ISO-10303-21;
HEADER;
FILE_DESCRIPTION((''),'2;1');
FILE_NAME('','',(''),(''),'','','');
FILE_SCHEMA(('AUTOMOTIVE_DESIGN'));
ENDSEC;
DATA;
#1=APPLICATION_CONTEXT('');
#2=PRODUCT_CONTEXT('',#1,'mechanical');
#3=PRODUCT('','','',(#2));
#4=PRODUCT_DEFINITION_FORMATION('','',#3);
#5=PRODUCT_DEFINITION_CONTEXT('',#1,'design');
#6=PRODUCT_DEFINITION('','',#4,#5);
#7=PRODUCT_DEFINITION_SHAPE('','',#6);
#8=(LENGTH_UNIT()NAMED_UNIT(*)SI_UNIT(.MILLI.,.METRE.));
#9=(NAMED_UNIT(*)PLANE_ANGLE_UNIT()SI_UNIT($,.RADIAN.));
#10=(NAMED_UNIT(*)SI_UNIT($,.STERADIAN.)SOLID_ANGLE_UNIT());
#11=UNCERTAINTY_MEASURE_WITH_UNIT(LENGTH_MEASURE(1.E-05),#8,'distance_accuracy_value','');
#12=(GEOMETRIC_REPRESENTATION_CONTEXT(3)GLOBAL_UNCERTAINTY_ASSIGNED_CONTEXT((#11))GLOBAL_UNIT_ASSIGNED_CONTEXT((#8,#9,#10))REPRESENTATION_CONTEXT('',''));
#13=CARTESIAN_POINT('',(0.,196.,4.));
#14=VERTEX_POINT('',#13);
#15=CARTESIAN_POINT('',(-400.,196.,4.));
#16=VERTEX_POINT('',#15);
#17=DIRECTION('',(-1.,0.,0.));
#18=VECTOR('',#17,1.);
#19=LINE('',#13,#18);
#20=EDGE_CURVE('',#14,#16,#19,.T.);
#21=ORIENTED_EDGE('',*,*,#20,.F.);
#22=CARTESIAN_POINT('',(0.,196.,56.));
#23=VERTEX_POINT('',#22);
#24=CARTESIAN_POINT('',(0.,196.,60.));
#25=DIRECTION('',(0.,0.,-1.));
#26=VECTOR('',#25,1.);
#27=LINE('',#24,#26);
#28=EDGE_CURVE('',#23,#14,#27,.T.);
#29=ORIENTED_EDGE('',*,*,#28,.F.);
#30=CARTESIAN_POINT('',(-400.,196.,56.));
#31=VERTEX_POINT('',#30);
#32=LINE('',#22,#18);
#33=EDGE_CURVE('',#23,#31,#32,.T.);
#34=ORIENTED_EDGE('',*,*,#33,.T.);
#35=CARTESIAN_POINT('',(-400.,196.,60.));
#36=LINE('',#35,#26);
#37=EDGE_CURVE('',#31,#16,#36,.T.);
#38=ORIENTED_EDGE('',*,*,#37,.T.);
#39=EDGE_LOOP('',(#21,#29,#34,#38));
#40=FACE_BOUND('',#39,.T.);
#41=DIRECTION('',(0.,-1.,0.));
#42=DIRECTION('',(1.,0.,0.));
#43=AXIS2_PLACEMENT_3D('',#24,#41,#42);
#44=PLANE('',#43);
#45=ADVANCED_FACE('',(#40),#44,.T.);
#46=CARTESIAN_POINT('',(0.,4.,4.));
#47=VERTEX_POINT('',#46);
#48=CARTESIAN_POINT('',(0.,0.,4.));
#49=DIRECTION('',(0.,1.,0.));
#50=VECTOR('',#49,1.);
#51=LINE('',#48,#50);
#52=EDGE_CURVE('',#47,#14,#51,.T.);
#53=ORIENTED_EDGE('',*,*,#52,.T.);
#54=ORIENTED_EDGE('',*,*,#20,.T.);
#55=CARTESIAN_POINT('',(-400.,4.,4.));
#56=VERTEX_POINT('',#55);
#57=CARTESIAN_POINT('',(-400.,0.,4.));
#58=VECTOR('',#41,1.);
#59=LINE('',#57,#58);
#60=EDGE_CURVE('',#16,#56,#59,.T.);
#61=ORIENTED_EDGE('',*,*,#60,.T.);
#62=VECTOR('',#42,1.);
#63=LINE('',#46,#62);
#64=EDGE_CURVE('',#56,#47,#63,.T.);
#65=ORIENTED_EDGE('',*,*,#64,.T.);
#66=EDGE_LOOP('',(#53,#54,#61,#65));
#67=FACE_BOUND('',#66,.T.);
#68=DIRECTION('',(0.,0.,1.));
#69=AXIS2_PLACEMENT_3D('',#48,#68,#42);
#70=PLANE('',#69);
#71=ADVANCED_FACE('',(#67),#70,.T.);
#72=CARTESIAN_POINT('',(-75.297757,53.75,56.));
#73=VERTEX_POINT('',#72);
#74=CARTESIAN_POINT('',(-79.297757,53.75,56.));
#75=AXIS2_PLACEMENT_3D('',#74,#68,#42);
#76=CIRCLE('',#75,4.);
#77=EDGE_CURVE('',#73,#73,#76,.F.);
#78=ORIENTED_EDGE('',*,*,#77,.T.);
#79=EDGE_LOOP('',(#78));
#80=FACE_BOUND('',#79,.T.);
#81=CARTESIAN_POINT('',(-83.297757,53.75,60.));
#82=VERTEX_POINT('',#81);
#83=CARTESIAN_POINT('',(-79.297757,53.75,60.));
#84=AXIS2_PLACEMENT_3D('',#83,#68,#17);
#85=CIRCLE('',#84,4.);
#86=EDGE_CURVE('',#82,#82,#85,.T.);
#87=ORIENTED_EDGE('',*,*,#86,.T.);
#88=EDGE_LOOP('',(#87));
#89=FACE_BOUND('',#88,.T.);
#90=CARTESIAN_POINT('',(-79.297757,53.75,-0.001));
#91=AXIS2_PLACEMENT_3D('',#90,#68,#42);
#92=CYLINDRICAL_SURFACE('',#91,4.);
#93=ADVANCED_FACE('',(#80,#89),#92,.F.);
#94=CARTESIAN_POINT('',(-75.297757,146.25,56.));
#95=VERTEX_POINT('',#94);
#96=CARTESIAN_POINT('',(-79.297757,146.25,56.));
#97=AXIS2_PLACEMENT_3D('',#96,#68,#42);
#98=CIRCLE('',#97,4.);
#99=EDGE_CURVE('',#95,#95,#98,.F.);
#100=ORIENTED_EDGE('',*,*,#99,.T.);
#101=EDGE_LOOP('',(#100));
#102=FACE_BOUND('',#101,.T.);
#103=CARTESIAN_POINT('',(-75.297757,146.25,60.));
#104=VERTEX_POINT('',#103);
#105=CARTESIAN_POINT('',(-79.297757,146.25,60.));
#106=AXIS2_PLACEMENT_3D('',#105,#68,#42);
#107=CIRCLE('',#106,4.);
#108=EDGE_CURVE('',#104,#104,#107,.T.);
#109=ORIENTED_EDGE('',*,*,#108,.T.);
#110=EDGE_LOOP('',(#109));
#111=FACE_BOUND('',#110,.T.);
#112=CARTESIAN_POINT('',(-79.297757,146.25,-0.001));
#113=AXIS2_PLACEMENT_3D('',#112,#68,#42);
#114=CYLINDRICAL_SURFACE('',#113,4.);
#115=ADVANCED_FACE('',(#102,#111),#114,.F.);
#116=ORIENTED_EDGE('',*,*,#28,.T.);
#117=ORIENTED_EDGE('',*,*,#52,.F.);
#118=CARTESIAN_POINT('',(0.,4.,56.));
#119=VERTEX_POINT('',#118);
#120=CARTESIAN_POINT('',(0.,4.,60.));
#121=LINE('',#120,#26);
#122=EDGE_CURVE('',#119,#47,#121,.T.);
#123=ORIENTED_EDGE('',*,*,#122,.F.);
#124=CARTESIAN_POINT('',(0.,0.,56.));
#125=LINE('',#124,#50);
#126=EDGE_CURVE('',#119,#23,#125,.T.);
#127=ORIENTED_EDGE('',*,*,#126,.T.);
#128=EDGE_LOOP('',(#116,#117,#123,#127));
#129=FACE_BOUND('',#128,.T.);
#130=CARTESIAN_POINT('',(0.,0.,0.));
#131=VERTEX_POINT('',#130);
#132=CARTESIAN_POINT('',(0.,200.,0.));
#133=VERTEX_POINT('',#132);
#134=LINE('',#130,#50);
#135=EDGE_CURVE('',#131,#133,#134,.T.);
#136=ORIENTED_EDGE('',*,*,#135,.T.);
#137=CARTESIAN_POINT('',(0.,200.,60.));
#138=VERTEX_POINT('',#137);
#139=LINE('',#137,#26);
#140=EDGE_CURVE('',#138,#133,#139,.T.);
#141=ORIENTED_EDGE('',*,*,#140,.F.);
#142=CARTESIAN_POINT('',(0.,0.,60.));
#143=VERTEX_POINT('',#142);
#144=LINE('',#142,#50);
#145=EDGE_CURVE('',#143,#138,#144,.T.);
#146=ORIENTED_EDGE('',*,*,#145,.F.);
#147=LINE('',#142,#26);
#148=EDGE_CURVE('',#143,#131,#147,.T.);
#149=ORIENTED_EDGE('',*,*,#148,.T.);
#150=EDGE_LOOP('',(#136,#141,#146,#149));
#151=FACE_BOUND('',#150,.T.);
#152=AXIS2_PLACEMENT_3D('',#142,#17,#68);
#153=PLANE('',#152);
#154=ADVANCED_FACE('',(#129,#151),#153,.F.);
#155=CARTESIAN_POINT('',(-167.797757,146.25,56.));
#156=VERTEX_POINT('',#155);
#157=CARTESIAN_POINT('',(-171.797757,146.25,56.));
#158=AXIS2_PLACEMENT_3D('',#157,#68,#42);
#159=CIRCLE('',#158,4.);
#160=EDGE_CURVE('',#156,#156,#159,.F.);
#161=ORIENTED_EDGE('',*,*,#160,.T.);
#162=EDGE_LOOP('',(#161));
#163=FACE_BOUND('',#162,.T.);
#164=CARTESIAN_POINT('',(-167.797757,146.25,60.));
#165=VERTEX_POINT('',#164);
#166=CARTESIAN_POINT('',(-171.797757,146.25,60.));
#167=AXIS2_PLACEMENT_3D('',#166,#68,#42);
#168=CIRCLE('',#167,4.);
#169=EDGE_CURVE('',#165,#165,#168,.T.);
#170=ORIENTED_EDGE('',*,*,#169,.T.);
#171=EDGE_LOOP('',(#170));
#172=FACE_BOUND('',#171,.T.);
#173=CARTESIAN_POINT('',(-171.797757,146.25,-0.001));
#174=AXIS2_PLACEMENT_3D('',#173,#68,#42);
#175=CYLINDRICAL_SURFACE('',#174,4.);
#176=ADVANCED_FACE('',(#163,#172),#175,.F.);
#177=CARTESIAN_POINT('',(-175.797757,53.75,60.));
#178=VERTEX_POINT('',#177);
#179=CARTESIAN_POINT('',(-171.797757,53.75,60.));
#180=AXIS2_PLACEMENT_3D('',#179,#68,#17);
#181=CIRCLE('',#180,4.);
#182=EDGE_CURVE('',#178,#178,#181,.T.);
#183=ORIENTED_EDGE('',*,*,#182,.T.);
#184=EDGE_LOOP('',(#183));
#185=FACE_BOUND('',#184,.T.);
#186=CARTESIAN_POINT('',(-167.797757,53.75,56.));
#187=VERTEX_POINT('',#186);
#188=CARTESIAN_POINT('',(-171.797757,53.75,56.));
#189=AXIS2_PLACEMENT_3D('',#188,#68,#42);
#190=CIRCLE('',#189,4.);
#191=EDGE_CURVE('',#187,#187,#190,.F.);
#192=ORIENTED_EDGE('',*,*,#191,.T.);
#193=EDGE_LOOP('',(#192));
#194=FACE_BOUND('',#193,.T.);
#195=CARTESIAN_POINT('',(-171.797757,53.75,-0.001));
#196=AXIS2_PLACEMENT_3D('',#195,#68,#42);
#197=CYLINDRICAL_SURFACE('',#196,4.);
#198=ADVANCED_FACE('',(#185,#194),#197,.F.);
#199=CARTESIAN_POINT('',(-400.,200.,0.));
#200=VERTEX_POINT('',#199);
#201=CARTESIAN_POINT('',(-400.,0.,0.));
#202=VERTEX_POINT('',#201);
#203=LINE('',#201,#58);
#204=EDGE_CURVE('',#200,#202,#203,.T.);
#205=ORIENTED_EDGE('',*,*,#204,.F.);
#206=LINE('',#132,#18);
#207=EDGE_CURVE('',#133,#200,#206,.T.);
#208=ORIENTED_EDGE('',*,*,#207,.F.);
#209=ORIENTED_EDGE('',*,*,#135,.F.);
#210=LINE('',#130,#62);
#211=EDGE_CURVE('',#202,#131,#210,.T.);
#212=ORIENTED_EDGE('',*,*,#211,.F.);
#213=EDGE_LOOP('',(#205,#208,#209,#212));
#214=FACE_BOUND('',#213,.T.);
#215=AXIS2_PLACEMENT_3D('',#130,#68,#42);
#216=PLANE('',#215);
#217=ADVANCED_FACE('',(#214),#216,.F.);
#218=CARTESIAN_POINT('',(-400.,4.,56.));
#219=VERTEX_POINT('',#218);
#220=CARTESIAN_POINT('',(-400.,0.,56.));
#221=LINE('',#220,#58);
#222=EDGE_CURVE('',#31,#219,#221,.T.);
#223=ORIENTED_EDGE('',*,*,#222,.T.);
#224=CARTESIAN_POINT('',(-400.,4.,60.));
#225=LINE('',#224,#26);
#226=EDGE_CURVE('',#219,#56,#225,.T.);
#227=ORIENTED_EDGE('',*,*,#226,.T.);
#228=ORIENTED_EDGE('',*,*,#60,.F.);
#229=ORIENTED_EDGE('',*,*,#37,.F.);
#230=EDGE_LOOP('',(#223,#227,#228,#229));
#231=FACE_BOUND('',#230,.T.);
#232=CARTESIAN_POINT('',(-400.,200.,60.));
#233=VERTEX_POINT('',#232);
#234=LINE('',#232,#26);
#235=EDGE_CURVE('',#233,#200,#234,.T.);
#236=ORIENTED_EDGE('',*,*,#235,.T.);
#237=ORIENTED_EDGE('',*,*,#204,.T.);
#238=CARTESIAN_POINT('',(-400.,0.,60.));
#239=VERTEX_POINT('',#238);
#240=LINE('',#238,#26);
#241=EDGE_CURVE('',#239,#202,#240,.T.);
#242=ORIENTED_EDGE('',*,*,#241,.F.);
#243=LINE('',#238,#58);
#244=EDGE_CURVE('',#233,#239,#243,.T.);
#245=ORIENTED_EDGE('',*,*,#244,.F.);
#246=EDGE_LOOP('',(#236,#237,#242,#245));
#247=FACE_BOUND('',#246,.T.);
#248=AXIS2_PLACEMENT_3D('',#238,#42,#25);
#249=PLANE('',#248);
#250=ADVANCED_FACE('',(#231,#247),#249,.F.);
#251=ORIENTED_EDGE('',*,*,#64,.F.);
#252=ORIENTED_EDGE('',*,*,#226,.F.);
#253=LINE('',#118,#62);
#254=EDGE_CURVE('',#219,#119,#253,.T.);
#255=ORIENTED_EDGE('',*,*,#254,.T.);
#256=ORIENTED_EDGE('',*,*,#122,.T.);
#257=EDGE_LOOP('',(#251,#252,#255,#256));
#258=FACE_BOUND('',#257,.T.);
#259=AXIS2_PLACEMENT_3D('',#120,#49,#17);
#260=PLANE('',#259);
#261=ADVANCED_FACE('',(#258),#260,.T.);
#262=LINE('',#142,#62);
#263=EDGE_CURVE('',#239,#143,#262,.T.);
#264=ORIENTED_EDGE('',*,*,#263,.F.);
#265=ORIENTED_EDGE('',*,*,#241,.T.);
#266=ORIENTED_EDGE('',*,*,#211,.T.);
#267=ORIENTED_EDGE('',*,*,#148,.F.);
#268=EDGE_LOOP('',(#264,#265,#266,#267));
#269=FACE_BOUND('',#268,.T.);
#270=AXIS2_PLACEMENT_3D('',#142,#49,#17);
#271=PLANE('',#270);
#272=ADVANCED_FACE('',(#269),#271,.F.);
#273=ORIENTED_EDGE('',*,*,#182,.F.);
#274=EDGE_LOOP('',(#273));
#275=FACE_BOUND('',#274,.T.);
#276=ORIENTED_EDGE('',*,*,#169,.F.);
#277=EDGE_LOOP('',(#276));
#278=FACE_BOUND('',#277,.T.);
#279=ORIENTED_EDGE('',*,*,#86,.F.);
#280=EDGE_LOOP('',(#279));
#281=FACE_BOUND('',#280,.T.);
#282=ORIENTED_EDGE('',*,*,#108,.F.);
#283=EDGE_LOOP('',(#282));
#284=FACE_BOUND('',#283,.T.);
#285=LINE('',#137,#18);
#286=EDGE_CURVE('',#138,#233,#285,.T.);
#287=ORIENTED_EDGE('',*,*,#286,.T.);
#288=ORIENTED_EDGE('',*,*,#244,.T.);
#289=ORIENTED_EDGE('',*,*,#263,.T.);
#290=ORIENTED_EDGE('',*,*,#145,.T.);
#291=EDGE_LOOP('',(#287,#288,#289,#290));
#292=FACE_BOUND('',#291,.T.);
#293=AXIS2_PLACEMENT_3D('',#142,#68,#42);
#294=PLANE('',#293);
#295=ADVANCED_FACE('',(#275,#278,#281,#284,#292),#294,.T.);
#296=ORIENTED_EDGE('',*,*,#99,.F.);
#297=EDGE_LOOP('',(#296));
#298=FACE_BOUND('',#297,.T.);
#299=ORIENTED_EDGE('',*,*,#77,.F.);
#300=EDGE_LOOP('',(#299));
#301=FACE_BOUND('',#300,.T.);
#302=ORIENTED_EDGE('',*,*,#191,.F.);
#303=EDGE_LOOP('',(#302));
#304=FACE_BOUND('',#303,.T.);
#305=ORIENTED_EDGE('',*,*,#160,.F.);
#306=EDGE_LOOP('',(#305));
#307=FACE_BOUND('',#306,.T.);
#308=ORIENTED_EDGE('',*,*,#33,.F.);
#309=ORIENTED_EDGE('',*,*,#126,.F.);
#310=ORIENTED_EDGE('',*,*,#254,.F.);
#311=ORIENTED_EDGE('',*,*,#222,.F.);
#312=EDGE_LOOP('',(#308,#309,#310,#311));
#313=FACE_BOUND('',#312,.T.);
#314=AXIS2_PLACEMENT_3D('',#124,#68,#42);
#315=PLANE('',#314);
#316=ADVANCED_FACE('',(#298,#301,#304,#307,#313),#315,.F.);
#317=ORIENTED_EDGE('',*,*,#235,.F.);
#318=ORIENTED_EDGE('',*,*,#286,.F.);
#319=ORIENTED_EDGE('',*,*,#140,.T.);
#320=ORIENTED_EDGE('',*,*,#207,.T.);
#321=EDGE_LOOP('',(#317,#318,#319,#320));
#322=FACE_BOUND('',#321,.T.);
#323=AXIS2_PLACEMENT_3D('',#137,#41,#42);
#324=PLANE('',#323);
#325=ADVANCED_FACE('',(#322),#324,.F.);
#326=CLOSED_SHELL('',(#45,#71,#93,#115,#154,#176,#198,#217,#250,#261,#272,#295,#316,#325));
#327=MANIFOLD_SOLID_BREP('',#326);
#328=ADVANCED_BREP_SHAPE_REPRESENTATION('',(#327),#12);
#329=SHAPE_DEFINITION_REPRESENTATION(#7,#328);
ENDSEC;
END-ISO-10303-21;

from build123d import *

# Parameters (mm, degrees)
IZIM1_W                     = 400
IZIM1_H                     = 200
Y_KSEKLIK_EKSTR_ZYON2_DEPTH = 60
BO_ALTMA2_T                 = -4
KES_EKSTR_ZYON2_REACH       = 453.221
IZIM3_R                     = 4


with BuildPart() as part:
    # Çizim1 → Yükseklik-Ekstrüzyon2 (new body)
    with BuildSketch(Plane.XY):
        with Locations((-200, 100)):
            Rectangle(IZIM1_W, IZIM1_H)
    extrude(amount=Y_KSEKLIK_EKSTR_ZYON2_DEPTH)

    # İç Boşaltma2
    bo_altma2_openings = [part.faces().sort_by_distance(p)[0] for p in [
        (-400, 100, 30),
        (0, 100, 30),
    ]]
    offset(amount=BO_ALTMA2_T, openings=bo_altma2_openings, kind=Kind.INTERSECTION)

    # Çizim3 → Kes-Ekstrüzyon2 (cut, up to next)
    with BuildSketch(Plane.XY.offset(60), mode=Mode.PRIVATE) as kes_ekstr_zyon2_sk1:
        with Locations((-79.297757223, 146.25)):
            Circle(IZIM3_R)
    kes_ekstr_zyon2_tool1 = extrude(kes_ekstr_zyon2_sk1.sketch, amount=-KES_EKSTR_ZYON2_REACH, mode=Mode.PRIVATE) & part.part
    # Çizim3 → Kes-Ekstrüzyon2 (cut, up to next)
    with BuildSketch(Plane.XY.offset(60), mode=Mode.PRIVATE) as kes_ekstr_zyon2_sk2:
        with Locations((-171.797757223, 146.25)):
            Circle(IZIM3_R)
    kes_ekstr_zyon2_tool2 = extrude(kes_ekstr_zyon2_sk2.sketch, amount=-KES_EKSTR_ZYON2_REACH, mode=Mode.PRIVATE) & part.part
    # Çizim3 → Kes-Ekstrüzyon2 (cut, up to next)
    with BuildSketch(Plane.XY.offset(60), mode=Mode.PRIVATE) as kes_ekstr_zyon2_sk3:
        with Locations((-79.297757223, 53.75)):
            Circle(IZIM3_R)
    kes_ekstr_zyon2_tool3 = extrude(kes_ekstr_zyon2_sk3.sketch, amount=-KES_EKSTR_ZYON2_REACH, mode=Mode.PRIVATE) & part.part
    # Çizim3 → Kes-Ekstrüzyon2 (cut, up to next)
    with BuildSketch(Plane.XY.offset(60), mode=Mode.PRIVATE) as kes_ekstr_zyon2_sk4:
        with Locations((-171.797757223, 53.75)):
            Circle(IZIM3_R)
    kes_ekstr_zyon2_tool4 = extrude(kes_ekstr_zyon2_sk4.sketch, amount=-KES_EKSTR_ZYON2_REACH, mode=Mode.PRIVATE) & part.part
    add(kes_ekstr_zyon2_tool1.solids().sort_by_distance((-79.297757, 146.25, 60))[0], mode=Mode.SUBTRACT)
    add(kes_ekstr_zyon2_tool2.solids().sort_by_distance((-171.797757, 146.25, 60))[0], mode=Mode.SUBTRACT)
    add(kes_ekstr_zyon2_tool3.solids().sort_by_distance((-79.297757, 53.75, 60))[0], mode=Mode.SUBTRACT)
    add(kes_ekstr_zyon2_tool4.solids().sort_by_distance((-171.797757, 53.75, 60))[0], mode=Mode.SUBTRACT)


solid = part.part
